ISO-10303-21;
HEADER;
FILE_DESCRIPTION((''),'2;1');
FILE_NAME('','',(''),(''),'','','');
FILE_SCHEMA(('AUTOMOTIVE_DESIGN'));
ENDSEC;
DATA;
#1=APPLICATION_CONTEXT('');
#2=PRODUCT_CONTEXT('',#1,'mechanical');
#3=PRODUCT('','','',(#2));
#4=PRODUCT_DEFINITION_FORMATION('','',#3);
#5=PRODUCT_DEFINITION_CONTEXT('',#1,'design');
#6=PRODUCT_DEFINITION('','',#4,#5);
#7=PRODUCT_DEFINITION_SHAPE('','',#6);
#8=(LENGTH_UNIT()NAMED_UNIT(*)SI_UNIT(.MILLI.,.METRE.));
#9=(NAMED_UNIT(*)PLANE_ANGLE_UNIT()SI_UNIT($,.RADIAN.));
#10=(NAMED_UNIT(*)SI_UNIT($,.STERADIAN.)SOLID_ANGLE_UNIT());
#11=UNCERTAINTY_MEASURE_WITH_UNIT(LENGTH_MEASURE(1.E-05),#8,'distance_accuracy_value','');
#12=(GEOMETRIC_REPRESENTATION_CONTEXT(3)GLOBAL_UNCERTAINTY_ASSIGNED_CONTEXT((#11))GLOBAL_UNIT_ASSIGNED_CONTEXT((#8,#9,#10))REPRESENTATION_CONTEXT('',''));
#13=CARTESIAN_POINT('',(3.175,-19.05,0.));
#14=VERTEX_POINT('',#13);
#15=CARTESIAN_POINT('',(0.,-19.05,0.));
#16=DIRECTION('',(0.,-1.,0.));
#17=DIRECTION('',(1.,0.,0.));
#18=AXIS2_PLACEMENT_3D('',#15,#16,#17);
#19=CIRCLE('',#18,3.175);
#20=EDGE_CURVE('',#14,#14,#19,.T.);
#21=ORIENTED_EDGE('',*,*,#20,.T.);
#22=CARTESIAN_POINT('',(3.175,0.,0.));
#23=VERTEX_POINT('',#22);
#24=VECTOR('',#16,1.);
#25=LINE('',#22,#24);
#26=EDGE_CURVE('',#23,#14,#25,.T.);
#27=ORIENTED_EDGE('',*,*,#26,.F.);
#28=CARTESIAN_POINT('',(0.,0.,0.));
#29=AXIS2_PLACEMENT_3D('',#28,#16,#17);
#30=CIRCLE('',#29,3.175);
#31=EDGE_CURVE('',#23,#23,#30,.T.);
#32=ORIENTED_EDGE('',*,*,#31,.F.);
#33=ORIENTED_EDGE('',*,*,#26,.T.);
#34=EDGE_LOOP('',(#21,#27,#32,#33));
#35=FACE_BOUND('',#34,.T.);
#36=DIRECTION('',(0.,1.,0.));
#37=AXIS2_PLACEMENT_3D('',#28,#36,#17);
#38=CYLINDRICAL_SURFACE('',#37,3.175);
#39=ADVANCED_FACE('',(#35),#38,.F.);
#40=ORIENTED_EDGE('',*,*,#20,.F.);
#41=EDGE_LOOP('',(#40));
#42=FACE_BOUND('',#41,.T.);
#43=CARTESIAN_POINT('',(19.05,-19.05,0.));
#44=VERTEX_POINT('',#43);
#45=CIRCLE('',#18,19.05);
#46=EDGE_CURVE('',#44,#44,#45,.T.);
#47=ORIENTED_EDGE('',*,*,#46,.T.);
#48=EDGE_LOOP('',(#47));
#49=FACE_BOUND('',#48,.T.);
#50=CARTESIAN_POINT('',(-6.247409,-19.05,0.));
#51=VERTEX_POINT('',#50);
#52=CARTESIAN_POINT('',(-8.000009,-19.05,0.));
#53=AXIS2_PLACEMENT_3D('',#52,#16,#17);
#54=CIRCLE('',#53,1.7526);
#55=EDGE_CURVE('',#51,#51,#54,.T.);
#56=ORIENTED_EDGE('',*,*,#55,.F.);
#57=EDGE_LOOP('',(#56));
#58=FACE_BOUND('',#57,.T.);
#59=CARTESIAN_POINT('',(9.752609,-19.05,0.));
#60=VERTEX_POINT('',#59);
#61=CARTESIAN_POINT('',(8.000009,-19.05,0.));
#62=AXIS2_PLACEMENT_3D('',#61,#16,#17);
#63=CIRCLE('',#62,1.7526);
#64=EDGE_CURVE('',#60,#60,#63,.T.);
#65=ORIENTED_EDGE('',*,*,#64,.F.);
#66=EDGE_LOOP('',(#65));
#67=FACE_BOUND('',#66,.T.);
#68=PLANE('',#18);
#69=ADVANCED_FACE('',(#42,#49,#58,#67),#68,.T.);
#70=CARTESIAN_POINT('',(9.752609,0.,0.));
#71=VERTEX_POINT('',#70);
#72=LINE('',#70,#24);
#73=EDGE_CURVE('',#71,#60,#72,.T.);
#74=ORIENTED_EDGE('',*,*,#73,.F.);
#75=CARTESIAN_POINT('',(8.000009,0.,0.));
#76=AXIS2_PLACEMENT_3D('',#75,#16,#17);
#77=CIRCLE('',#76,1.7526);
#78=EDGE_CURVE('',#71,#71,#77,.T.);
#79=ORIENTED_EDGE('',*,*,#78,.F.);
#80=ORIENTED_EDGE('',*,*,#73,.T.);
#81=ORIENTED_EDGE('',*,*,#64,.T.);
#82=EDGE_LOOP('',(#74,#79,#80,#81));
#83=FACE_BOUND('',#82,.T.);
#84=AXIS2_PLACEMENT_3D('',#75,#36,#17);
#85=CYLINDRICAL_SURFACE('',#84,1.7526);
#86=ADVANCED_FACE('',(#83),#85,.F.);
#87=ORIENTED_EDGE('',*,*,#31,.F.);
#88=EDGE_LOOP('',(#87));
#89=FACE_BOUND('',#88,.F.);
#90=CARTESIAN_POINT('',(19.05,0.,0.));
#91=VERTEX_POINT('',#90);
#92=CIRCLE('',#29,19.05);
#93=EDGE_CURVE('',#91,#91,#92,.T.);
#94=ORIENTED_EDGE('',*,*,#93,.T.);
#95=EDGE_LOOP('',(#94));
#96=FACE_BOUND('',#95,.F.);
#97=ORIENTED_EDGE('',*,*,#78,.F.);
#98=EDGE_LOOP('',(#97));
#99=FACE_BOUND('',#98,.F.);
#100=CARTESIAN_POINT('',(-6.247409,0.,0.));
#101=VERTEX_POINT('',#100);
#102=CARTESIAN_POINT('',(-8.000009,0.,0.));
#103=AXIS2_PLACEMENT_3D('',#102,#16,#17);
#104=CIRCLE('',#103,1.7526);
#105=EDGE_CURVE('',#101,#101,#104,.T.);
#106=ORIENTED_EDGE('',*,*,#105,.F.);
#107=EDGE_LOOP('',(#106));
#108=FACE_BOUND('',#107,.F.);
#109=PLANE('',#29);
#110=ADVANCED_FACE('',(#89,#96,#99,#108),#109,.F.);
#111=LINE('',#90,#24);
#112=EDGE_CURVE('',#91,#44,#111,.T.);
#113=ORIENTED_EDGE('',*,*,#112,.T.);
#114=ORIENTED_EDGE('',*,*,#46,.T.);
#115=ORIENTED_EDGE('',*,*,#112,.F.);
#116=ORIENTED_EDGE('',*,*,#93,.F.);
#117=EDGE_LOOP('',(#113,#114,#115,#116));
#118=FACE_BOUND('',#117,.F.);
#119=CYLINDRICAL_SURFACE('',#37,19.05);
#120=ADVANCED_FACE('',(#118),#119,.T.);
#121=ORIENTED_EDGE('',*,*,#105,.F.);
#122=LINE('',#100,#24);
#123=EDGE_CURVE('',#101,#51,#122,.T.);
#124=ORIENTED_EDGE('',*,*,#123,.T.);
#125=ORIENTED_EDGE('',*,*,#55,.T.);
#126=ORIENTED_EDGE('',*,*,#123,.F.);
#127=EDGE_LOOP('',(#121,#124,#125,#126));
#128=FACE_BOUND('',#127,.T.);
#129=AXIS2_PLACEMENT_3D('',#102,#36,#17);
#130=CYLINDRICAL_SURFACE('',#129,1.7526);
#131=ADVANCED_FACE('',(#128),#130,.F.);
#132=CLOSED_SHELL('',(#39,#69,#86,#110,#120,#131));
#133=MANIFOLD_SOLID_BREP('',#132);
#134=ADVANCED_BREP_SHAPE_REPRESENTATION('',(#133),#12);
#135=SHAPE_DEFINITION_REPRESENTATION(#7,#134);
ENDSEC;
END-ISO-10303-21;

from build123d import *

# Parameters (mm, degrees)
F0_R     = 19.05
F0_R_2   = 1.7526
F0_R_3   = 3.175
F1_DEPTH = 19.05


with BuildPart() as f1:
    # F0 (on Front) → F1 (new body)
    with BuildSketch(Plane.XZ):
        Circle(F0_R)
        with Locations((-8.000009, 0)):
            Circle(F0_R_2, mode=Mode.SUBTRACT)
        Circle(F0_R_3, mode=Mode.SUBTRACT)
        with Locations((8.000009, 0)):
            Circle(F0_R_2, mode=Mode.SUBTRACT)
    extrude(amount=F1_DEPTH)


solid = f1.part
